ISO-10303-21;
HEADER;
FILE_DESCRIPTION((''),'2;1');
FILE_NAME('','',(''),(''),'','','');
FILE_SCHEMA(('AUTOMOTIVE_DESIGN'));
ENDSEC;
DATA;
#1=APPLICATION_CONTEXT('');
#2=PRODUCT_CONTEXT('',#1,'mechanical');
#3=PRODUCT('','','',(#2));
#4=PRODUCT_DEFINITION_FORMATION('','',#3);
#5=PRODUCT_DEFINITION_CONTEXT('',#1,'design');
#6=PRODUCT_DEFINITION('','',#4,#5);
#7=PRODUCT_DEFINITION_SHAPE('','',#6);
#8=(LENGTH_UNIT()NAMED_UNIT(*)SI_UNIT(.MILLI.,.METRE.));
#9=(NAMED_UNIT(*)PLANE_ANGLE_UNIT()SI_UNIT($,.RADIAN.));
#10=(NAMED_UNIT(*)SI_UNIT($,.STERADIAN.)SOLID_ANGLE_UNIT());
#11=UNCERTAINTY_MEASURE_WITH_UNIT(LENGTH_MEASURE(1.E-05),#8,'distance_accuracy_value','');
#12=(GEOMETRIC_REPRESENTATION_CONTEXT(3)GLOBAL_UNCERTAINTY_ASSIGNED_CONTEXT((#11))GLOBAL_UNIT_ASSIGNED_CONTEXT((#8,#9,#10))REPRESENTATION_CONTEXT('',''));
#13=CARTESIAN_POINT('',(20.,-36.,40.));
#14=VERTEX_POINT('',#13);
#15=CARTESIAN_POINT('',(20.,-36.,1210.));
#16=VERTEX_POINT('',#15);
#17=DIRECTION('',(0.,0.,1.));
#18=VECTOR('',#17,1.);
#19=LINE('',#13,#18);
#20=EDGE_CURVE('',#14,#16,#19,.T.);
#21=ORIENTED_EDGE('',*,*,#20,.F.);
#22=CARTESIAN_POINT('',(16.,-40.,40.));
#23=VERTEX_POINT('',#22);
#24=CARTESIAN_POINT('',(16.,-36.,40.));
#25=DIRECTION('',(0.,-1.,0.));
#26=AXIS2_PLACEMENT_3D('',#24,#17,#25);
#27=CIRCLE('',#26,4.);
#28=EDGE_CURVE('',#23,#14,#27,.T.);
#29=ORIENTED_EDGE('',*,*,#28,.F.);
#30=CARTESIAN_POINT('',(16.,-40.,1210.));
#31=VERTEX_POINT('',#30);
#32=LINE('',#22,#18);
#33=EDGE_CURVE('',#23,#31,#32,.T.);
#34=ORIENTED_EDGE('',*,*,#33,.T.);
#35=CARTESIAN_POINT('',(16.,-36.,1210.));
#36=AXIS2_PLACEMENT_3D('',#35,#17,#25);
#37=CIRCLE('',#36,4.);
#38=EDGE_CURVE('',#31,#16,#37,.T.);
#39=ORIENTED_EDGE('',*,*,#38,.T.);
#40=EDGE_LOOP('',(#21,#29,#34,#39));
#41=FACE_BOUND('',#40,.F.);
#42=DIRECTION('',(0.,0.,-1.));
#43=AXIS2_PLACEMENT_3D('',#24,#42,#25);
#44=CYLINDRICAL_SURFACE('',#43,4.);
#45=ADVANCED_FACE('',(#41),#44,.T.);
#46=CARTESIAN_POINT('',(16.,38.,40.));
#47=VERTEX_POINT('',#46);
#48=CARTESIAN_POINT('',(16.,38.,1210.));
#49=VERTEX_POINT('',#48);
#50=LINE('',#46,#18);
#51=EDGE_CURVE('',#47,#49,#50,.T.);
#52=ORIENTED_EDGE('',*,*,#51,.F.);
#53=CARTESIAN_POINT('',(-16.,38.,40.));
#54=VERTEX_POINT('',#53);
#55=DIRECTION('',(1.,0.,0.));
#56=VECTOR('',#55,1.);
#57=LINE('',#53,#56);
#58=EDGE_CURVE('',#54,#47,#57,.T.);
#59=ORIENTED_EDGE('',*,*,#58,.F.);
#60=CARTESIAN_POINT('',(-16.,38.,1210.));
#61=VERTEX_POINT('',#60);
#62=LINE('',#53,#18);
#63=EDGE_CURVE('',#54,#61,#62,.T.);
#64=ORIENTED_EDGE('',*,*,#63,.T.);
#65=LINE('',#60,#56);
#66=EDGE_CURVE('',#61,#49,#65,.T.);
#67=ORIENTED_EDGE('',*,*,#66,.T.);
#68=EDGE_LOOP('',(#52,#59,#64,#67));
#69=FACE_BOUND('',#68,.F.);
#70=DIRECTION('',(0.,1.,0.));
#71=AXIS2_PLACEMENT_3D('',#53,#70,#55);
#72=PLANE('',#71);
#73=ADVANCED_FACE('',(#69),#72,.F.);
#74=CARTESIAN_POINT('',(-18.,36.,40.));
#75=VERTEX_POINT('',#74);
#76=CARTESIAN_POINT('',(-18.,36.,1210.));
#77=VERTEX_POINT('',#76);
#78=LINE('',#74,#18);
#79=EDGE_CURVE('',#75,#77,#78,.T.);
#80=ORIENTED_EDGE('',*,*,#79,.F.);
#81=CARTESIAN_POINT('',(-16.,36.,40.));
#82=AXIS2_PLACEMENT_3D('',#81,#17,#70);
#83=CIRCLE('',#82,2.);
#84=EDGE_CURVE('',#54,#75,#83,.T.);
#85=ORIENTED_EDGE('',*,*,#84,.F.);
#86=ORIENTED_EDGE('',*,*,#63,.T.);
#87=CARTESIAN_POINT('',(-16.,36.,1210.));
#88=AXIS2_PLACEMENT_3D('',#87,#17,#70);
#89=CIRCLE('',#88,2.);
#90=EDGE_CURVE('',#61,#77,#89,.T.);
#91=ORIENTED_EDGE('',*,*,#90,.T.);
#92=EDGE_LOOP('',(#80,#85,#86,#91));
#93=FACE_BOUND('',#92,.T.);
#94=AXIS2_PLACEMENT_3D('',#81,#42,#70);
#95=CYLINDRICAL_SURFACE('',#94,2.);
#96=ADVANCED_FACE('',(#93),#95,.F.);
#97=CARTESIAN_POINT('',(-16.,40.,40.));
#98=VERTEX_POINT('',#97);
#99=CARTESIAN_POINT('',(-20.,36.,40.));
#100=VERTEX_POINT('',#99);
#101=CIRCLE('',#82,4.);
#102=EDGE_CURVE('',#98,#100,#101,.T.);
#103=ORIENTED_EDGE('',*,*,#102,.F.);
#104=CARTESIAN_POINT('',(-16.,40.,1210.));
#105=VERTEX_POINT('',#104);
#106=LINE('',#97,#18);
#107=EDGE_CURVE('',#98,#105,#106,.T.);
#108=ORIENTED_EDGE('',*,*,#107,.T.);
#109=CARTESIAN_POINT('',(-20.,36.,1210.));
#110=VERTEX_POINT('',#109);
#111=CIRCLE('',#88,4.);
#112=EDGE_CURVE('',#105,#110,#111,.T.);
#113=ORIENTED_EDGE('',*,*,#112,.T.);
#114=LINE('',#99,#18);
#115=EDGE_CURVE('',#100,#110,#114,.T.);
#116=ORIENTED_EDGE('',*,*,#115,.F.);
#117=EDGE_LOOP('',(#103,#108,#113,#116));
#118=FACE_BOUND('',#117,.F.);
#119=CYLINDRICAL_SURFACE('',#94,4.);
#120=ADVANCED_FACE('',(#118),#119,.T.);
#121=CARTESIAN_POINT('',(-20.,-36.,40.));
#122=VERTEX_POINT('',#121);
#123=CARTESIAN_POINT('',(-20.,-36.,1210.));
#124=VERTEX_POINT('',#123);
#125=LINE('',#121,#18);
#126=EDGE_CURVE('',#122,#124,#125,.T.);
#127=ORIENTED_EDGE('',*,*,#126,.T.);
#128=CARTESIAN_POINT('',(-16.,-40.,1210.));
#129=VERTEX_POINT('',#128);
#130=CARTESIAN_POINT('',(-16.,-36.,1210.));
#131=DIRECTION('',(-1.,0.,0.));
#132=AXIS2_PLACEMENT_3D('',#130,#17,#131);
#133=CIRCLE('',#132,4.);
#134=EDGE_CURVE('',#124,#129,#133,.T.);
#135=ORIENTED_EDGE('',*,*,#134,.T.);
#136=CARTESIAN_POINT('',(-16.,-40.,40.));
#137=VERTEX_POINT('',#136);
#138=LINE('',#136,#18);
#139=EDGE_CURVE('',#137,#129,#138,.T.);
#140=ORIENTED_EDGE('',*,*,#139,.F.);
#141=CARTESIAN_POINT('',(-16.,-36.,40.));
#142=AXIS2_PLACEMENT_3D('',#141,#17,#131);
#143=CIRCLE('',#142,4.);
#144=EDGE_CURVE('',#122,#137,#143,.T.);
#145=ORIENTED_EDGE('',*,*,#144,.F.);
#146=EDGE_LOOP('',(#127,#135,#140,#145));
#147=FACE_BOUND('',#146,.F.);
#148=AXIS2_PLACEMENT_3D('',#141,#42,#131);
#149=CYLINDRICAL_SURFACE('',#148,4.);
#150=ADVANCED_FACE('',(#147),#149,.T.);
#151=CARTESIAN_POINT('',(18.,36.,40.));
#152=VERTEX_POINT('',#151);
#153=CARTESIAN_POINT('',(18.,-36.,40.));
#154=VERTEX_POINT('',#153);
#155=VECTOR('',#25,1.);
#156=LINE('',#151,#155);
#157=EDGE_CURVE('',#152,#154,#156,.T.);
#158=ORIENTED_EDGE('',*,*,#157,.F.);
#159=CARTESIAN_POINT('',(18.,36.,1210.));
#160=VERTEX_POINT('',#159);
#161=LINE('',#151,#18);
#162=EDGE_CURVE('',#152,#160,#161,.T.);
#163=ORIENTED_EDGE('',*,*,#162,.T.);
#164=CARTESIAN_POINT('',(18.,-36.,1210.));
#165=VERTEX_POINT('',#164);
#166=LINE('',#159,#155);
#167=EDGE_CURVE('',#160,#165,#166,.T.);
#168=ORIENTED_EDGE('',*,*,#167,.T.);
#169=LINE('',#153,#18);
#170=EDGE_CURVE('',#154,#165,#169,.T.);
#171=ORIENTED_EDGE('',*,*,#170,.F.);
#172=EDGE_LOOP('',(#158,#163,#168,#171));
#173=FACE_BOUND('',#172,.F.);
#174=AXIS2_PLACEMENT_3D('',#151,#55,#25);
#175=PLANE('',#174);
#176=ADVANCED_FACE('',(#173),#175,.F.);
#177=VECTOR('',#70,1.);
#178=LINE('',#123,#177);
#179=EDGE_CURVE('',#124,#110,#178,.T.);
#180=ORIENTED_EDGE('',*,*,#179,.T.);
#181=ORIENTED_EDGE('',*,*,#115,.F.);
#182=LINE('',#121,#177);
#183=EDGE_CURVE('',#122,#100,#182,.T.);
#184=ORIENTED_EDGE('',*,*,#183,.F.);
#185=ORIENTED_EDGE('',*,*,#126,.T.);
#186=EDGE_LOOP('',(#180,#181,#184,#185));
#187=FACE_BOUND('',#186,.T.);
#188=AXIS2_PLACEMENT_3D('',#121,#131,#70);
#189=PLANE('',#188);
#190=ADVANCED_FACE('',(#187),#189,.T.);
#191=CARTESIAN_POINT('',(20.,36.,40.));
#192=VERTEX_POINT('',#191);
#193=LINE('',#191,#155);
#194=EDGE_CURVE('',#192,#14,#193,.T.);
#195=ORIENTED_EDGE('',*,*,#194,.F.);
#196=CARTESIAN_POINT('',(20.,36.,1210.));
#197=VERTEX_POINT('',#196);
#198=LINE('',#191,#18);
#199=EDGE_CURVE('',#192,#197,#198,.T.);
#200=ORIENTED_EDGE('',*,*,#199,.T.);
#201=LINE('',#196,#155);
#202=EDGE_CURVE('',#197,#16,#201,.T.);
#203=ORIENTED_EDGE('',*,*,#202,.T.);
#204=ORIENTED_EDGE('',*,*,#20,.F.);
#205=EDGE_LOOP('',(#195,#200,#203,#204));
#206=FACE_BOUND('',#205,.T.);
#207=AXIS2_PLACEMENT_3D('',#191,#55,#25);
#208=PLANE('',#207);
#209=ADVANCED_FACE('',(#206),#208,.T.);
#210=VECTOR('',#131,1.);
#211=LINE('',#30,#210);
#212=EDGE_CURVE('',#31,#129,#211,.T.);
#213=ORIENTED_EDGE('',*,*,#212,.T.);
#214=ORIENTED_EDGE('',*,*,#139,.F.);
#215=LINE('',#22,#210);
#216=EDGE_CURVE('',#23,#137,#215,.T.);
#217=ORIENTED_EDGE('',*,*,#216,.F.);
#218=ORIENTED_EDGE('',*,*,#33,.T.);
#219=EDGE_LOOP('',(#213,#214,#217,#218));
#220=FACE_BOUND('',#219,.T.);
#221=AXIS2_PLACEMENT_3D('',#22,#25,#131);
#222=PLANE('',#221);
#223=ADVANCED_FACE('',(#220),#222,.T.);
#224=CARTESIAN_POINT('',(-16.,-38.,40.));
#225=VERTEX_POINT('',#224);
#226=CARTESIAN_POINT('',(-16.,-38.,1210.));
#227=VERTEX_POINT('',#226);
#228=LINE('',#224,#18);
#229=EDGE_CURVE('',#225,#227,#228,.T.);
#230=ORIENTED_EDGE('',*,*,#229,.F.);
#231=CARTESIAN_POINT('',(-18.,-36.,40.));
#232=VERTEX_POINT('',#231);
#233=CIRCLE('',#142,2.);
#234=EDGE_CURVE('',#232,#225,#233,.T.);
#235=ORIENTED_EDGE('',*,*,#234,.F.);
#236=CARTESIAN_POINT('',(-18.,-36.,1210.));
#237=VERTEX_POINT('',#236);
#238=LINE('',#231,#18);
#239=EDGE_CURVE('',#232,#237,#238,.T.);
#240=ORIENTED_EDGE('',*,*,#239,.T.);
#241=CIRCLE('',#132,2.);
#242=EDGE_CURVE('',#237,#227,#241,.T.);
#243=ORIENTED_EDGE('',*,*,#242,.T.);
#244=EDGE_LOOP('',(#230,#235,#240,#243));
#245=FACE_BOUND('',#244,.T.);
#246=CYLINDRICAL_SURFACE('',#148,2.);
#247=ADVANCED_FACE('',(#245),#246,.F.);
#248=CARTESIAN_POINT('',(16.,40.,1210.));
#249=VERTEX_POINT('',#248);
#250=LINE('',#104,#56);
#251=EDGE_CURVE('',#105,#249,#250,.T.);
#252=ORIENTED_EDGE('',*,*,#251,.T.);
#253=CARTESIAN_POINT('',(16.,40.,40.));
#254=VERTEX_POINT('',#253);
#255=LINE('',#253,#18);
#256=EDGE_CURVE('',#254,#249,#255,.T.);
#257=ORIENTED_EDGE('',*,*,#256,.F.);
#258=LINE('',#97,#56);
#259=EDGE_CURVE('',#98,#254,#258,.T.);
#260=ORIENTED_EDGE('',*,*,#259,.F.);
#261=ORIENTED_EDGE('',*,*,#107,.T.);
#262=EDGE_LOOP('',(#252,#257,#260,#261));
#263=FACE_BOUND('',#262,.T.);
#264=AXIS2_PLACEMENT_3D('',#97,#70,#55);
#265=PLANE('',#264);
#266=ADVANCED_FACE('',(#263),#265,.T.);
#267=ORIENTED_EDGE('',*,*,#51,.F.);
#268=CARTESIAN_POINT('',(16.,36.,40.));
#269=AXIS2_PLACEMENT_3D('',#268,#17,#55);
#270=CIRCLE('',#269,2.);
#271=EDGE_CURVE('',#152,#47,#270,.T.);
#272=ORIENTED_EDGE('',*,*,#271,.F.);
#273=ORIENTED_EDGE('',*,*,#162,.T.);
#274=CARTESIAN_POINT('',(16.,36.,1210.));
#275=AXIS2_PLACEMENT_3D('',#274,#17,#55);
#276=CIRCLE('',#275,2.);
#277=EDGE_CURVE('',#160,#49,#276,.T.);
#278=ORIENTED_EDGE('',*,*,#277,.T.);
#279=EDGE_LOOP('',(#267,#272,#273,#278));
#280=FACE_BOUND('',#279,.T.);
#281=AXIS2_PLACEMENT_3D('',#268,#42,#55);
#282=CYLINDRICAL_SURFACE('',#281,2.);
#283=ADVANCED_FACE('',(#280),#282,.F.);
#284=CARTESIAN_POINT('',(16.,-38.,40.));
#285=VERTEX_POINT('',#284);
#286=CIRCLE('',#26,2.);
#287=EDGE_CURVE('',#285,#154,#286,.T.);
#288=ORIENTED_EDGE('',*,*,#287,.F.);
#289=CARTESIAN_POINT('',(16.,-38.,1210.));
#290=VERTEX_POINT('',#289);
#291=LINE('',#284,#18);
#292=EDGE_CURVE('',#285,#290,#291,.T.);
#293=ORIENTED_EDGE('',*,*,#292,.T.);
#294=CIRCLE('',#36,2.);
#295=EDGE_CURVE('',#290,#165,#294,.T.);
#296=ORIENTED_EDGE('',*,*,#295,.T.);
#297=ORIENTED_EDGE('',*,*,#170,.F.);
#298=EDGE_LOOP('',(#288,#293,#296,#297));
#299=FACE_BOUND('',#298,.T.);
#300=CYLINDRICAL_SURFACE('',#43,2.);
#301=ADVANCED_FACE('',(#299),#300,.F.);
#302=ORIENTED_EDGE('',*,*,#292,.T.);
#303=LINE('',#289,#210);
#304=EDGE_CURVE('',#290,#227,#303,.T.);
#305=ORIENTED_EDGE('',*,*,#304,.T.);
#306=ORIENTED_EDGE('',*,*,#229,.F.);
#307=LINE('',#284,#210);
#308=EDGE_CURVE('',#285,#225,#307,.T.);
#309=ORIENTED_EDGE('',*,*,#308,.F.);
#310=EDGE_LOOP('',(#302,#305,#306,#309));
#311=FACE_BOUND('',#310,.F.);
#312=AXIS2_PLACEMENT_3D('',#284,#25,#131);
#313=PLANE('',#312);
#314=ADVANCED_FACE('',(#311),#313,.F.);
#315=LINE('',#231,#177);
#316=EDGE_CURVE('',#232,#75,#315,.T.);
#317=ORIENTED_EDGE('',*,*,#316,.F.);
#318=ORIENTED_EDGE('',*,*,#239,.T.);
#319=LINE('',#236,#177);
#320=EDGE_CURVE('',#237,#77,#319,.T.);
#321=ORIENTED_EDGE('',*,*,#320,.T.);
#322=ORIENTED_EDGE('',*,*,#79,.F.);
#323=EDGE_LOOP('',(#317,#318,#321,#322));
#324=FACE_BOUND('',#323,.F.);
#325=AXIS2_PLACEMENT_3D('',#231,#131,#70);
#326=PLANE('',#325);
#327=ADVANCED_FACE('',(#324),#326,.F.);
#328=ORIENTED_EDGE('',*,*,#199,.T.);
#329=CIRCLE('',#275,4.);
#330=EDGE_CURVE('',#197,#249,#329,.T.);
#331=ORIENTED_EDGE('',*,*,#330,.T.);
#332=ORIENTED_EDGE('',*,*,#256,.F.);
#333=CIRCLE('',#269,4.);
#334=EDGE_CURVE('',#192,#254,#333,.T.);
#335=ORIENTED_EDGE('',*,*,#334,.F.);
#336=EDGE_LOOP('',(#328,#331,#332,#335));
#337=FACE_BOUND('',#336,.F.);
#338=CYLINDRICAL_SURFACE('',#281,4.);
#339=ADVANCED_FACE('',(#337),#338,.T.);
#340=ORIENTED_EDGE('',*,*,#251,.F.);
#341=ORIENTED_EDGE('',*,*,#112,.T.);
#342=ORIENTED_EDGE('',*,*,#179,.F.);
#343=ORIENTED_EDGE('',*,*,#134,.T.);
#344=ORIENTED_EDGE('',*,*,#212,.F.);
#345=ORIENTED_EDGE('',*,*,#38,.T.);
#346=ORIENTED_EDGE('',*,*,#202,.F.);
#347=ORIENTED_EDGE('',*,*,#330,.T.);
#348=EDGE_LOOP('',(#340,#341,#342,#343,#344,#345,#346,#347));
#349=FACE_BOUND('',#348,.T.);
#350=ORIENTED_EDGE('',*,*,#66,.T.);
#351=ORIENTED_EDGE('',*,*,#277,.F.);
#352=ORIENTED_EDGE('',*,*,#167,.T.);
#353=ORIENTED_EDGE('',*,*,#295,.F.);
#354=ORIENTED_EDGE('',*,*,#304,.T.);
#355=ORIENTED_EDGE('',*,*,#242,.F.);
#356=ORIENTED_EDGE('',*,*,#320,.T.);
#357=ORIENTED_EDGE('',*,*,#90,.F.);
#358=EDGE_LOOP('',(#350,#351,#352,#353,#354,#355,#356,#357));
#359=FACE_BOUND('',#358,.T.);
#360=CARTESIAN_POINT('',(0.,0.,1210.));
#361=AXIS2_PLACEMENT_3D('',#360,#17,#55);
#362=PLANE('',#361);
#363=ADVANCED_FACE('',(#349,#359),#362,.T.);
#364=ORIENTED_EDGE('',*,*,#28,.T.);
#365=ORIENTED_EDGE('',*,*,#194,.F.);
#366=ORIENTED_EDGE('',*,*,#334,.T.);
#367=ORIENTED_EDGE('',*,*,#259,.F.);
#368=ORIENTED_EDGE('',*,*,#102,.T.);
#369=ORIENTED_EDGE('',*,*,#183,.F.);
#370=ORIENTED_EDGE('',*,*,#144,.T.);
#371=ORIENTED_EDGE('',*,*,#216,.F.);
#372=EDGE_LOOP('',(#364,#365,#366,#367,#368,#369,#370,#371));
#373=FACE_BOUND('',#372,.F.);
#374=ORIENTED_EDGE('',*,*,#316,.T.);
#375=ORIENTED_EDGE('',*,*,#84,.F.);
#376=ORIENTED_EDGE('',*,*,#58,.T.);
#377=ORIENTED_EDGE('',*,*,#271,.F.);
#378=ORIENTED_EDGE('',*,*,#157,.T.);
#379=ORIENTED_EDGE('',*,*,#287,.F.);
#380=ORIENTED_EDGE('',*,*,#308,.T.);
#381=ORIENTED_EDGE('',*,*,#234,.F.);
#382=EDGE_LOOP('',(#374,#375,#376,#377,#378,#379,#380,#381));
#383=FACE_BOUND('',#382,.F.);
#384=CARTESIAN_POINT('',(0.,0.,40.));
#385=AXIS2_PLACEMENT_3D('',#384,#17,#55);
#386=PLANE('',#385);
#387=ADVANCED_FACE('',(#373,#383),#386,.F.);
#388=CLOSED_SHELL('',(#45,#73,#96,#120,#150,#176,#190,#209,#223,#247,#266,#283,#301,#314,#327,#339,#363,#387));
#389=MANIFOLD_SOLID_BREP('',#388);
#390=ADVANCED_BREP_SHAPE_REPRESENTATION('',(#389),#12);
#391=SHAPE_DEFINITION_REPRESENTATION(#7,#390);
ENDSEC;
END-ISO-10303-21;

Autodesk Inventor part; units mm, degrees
ref_plane "YZ Plane" through (0, 0, 0) normal (1, 0, 0) x (0, 1, 0)
ref_plane "Start Plane" through (0, 0, 40) normal (0, 0, 1) x (1, 0, 0)
ref_plane "End Plane" through (0, 0, 1210) normal (0, 0, 1) x (1, 0, 0)
sketch "Sketch" plane through (0, 0, 0) normal (0, 0, 1) x (1, 0, 0)
  line L0 (-20, -36) -> (-20, 36)
  line L1 (-16, 40) -> (16, 40)
  line L2 (20, 36) -> (20, -36)
  line L3 (16, -40) -> (-16, -40)
  arc A0 (-20, -36) -> (-16, -40) centre (-16, -36) ccw
  arc A1 (20, 36) -> (16, 40) centre (16, 36) ccw
  arc A2 (-16, 40) -> (-20, 36) centre (-16, 36) ccw
  arc A3 (16, -40) -> (20, -36) centre (16, -36) ccw
  arc A4 (-16, 38) -> (-18, 36) centre (-16, 36) ccw
  line L4 (-16, 38) -> (16, 38)
  arc A5 (18, 36) -> (16, 38) centre (16, 36) ccw
  line L5 (18, 36) -> (18, -36)
  arc A6 (16, -38) -> (18, -36) centre (16, -36) ccw
  line L6 (16, -38) -> (-16, -38)
  arc A7 (-18, -36) -> (-16, -38) centre (-16, -36) ccw
  line L7 (-18, -36) -> (-18, 36)
  line L8 (0, 57.1598) -> (0, -57.1598) construction
  line L9 (-29.1598, 0) -> (29.1598, 0) construction
  dimension "d7" = 4
  dimension "d9" = 40
  dimension "d11" = 80
  dimension "d12" = 2
  dimension "d15" = 20
  dimension "d16" = 40
extrude "Body" add sketch "Sketch" along normal up to surface (1170 mm away) from surface at 40
sketch "Sketch3" plane through (0, 0, 0) normal (0, 0, 1) x (1, 0, 0)
  line L0 (0, 0) -> (10, 0)
ref_plane "Work Plane3" through (0, 0, 0) normal (0, -1, 0) x (1, 0, 0)
sketch "Sketch4" plane through (0, 0, 0) normal (0, -1, 0) x (1, 0, 0)
  line L0 (-2, 40) -> (12, 40) projected
  line L1 (-2, 1210) -> (12, 1210) projected
  dimension "d18" = 1170
equation "\"d7\" = G_IR"
equation "\"d9\" = G_W"
equation "\"d11\" = G_H"
equation "\"d12\" = G_T"
equation "\"d15\" = 0.5 * d9"
equation "\"d16\" = 0.5 * d11"
equation "\"d3\" = G_L"
equation "\"G_W\" = 40"
equation "\"G_H\" = 80"
equation "\"G_T\" = 2"
equation "\"G_IR\" = 4"
equation "\"G_L\" = d18"
properties part number "ISO 4019 - 80x40x2 - 1170" material "Steel, Mild"
